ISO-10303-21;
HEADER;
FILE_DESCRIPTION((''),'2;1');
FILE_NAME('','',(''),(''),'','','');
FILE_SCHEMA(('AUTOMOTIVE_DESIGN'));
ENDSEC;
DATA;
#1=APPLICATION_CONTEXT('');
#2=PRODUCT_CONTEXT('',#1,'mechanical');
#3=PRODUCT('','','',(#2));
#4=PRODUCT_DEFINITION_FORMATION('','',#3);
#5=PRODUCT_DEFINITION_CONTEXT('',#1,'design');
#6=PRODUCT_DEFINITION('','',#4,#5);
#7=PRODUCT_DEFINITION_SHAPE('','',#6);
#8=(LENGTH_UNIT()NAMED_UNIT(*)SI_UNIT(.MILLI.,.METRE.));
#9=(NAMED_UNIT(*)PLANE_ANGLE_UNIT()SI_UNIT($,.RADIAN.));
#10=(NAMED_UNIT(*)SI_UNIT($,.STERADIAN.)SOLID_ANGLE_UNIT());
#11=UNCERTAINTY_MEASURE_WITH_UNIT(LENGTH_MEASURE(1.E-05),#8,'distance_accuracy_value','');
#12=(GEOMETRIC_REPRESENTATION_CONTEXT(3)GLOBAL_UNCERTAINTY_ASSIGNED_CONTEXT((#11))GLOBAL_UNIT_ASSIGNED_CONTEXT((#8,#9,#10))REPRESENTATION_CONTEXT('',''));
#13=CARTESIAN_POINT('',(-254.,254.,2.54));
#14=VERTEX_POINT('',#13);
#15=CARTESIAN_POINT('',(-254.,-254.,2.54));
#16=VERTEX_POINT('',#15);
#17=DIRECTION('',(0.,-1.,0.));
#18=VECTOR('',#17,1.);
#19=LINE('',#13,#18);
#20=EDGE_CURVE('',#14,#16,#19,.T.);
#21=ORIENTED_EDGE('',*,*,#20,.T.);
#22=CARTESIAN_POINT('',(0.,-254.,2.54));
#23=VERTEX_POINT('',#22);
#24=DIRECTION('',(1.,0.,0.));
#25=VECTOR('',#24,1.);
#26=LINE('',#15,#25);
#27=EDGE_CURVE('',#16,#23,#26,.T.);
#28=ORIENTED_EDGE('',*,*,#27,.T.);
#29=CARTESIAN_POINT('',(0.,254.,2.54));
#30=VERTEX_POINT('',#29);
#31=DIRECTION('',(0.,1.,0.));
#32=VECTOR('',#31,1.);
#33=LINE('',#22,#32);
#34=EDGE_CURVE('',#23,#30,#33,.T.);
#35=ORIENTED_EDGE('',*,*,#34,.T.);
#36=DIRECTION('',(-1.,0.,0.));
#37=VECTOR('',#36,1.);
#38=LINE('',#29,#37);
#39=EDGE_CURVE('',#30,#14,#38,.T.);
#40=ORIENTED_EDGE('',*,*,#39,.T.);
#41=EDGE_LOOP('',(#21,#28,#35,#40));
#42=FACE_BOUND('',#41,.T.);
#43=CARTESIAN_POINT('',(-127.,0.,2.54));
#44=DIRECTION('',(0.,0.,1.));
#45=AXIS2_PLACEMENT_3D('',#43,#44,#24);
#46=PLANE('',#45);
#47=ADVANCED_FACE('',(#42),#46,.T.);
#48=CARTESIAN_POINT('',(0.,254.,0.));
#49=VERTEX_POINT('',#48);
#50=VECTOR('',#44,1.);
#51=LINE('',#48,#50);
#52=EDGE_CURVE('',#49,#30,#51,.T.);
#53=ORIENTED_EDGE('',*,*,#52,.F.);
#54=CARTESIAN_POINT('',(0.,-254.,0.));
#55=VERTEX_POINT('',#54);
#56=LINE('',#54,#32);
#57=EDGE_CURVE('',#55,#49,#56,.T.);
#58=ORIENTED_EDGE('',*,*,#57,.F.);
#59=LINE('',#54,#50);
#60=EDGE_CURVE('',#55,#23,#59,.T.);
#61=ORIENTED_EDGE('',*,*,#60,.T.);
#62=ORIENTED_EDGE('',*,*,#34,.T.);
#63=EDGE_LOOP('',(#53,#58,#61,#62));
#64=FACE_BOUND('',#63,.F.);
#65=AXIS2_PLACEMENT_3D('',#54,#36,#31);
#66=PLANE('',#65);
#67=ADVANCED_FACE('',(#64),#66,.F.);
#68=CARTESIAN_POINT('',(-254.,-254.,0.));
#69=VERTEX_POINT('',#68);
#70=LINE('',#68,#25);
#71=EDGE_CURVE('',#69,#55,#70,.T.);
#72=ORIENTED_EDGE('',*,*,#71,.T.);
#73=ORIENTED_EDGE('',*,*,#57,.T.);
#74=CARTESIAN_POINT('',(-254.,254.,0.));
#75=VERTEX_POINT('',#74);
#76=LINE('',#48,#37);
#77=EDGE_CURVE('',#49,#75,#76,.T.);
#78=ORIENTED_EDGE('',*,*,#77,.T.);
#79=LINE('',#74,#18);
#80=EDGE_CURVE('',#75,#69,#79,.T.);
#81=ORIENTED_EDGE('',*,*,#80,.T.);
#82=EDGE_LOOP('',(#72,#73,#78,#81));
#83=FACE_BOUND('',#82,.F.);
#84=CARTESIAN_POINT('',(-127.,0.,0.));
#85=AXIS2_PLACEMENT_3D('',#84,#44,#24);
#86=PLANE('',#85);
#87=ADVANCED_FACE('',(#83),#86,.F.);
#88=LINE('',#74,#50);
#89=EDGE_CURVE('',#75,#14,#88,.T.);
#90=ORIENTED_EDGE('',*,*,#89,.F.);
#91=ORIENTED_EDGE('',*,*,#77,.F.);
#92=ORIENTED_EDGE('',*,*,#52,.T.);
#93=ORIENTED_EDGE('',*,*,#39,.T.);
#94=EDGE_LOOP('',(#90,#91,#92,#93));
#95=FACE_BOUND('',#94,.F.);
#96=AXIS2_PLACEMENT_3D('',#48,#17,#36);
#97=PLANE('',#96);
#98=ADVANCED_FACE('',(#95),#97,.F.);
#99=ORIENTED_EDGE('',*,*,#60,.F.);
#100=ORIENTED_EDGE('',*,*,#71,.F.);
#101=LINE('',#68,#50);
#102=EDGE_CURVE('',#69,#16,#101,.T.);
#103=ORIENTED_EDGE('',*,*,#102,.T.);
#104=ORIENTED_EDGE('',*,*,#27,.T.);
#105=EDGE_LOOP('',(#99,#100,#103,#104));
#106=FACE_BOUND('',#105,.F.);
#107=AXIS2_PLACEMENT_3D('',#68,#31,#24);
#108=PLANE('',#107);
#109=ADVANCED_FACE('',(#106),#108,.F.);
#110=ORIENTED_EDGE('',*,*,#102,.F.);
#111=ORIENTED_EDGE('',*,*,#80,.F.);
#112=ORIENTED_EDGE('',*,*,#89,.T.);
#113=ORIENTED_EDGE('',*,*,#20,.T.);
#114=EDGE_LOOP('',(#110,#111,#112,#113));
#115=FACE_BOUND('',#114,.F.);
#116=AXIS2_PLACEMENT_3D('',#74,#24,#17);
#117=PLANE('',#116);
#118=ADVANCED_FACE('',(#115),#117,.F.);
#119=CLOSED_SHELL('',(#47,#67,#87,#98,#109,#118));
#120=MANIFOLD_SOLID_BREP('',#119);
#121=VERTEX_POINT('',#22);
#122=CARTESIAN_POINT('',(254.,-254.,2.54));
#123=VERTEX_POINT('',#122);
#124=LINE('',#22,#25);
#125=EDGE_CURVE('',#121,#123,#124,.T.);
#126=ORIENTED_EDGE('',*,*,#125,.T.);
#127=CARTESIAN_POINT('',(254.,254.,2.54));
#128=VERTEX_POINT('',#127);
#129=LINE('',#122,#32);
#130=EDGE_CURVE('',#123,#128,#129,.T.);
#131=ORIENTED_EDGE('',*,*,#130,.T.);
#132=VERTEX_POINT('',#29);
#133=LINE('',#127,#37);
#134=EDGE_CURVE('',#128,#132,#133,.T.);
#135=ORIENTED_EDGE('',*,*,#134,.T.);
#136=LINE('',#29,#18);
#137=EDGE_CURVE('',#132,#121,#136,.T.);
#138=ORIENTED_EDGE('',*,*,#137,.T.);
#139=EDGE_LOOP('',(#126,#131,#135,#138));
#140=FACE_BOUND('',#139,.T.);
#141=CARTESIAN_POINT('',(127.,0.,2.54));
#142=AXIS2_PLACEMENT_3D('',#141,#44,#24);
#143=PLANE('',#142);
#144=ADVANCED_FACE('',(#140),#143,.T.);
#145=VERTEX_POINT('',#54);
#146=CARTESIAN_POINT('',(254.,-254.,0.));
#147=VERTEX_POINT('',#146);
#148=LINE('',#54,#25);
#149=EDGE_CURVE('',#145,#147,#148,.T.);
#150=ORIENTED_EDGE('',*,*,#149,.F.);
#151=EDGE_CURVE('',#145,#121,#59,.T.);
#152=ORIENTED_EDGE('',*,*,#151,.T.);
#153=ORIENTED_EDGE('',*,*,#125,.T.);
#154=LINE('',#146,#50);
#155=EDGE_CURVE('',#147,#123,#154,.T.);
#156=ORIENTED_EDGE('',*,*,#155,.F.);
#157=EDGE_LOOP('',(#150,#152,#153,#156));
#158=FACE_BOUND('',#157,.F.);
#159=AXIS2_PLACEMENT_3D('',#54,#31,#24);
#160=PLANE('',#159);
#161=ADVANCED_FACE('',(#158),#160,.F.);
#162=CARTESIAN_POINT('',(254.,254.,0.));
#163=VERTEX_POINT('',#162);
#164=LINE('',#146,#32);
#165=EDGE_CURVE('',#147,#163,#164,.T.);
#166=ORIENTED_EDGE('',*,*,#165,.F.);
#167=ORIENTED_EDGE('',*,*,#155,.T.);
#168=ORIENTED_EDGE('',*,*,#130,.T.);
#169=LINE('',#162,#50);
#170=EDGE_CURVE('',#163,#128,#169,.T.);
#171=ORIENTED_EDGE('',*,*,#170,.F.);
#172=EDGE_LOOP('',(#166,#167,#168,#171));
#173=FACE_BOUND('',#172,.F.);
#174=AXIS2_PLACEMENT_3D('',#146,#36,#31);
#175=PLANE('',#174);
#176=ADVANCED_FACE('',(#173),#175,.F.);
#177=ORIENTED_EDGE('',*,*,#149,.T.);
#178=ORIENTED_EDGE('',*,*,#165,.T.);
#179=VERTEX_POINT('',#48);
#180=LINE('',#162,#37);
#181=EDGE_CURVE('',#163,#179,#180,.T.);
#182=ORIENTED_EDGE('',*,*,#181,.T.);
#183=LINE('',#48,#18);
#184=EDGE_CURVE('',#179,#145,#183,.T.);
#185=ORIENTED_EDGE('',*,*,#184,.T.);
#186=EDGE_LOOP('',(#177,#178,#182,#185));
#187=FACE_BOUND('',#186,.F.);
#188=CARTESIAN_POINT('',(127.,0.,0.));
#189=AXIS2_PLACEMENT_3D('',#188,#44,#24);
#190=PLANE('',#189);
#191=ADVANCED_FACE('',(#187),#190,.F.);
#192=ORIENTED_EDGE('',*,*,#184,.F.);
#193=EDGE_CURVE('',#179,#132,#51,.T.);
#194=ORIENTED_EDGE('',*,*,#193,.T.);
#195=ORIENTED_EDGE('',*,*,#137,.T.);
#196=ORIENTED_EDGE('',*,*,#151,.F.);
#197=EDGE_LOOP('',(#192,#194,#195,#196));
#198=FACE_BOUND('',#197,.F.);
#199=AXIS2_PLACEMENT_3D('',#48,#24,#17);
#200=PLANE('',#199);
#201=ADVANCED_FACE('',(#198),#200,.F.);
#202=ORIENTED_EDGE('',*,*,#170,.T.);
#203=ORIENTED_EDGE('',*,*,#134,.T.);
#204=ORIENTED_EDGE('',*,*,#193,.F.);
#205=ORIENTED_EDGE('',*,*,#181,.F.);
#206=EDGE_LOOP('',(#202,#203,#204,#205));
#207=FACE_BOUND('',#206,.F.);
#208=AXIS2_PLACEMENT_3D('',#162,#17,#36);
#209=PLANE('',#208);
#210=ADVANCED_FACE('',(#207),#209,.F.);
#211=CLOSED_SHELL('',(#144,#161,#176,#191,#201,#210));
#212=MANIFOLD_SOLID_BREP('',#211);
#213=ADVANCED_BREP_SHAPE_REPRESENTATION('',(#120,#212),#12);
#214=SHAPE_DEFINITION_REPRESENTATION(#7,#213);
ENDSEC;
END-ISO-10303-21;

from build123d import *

# Parameters (mm, degrees)
F1_DEPTH = 2.54
F2_DEPTH = 2.54


with BuildPart() as f1:
    # F0 (on Top) → F1 (new body)
    with BuildSketch(Plane.XY):
        Polygon((0, -254), (0, 254), (-254, 254), (-254, 0), (-254, -254), align=None)
    extrude(amount=F1_DEPTH)


with BuildPart() as f2:
    # F0 (on Top) → F2 (new body)
    with BuildSketch(Plane.XY):
        Polygon((254, 254), (0, 254), (0, -254), (254, -254), (254, 0), align=None)
    extrude(amount=F2_DEPTH)


solid = Compound([f1.part, f2.part])
